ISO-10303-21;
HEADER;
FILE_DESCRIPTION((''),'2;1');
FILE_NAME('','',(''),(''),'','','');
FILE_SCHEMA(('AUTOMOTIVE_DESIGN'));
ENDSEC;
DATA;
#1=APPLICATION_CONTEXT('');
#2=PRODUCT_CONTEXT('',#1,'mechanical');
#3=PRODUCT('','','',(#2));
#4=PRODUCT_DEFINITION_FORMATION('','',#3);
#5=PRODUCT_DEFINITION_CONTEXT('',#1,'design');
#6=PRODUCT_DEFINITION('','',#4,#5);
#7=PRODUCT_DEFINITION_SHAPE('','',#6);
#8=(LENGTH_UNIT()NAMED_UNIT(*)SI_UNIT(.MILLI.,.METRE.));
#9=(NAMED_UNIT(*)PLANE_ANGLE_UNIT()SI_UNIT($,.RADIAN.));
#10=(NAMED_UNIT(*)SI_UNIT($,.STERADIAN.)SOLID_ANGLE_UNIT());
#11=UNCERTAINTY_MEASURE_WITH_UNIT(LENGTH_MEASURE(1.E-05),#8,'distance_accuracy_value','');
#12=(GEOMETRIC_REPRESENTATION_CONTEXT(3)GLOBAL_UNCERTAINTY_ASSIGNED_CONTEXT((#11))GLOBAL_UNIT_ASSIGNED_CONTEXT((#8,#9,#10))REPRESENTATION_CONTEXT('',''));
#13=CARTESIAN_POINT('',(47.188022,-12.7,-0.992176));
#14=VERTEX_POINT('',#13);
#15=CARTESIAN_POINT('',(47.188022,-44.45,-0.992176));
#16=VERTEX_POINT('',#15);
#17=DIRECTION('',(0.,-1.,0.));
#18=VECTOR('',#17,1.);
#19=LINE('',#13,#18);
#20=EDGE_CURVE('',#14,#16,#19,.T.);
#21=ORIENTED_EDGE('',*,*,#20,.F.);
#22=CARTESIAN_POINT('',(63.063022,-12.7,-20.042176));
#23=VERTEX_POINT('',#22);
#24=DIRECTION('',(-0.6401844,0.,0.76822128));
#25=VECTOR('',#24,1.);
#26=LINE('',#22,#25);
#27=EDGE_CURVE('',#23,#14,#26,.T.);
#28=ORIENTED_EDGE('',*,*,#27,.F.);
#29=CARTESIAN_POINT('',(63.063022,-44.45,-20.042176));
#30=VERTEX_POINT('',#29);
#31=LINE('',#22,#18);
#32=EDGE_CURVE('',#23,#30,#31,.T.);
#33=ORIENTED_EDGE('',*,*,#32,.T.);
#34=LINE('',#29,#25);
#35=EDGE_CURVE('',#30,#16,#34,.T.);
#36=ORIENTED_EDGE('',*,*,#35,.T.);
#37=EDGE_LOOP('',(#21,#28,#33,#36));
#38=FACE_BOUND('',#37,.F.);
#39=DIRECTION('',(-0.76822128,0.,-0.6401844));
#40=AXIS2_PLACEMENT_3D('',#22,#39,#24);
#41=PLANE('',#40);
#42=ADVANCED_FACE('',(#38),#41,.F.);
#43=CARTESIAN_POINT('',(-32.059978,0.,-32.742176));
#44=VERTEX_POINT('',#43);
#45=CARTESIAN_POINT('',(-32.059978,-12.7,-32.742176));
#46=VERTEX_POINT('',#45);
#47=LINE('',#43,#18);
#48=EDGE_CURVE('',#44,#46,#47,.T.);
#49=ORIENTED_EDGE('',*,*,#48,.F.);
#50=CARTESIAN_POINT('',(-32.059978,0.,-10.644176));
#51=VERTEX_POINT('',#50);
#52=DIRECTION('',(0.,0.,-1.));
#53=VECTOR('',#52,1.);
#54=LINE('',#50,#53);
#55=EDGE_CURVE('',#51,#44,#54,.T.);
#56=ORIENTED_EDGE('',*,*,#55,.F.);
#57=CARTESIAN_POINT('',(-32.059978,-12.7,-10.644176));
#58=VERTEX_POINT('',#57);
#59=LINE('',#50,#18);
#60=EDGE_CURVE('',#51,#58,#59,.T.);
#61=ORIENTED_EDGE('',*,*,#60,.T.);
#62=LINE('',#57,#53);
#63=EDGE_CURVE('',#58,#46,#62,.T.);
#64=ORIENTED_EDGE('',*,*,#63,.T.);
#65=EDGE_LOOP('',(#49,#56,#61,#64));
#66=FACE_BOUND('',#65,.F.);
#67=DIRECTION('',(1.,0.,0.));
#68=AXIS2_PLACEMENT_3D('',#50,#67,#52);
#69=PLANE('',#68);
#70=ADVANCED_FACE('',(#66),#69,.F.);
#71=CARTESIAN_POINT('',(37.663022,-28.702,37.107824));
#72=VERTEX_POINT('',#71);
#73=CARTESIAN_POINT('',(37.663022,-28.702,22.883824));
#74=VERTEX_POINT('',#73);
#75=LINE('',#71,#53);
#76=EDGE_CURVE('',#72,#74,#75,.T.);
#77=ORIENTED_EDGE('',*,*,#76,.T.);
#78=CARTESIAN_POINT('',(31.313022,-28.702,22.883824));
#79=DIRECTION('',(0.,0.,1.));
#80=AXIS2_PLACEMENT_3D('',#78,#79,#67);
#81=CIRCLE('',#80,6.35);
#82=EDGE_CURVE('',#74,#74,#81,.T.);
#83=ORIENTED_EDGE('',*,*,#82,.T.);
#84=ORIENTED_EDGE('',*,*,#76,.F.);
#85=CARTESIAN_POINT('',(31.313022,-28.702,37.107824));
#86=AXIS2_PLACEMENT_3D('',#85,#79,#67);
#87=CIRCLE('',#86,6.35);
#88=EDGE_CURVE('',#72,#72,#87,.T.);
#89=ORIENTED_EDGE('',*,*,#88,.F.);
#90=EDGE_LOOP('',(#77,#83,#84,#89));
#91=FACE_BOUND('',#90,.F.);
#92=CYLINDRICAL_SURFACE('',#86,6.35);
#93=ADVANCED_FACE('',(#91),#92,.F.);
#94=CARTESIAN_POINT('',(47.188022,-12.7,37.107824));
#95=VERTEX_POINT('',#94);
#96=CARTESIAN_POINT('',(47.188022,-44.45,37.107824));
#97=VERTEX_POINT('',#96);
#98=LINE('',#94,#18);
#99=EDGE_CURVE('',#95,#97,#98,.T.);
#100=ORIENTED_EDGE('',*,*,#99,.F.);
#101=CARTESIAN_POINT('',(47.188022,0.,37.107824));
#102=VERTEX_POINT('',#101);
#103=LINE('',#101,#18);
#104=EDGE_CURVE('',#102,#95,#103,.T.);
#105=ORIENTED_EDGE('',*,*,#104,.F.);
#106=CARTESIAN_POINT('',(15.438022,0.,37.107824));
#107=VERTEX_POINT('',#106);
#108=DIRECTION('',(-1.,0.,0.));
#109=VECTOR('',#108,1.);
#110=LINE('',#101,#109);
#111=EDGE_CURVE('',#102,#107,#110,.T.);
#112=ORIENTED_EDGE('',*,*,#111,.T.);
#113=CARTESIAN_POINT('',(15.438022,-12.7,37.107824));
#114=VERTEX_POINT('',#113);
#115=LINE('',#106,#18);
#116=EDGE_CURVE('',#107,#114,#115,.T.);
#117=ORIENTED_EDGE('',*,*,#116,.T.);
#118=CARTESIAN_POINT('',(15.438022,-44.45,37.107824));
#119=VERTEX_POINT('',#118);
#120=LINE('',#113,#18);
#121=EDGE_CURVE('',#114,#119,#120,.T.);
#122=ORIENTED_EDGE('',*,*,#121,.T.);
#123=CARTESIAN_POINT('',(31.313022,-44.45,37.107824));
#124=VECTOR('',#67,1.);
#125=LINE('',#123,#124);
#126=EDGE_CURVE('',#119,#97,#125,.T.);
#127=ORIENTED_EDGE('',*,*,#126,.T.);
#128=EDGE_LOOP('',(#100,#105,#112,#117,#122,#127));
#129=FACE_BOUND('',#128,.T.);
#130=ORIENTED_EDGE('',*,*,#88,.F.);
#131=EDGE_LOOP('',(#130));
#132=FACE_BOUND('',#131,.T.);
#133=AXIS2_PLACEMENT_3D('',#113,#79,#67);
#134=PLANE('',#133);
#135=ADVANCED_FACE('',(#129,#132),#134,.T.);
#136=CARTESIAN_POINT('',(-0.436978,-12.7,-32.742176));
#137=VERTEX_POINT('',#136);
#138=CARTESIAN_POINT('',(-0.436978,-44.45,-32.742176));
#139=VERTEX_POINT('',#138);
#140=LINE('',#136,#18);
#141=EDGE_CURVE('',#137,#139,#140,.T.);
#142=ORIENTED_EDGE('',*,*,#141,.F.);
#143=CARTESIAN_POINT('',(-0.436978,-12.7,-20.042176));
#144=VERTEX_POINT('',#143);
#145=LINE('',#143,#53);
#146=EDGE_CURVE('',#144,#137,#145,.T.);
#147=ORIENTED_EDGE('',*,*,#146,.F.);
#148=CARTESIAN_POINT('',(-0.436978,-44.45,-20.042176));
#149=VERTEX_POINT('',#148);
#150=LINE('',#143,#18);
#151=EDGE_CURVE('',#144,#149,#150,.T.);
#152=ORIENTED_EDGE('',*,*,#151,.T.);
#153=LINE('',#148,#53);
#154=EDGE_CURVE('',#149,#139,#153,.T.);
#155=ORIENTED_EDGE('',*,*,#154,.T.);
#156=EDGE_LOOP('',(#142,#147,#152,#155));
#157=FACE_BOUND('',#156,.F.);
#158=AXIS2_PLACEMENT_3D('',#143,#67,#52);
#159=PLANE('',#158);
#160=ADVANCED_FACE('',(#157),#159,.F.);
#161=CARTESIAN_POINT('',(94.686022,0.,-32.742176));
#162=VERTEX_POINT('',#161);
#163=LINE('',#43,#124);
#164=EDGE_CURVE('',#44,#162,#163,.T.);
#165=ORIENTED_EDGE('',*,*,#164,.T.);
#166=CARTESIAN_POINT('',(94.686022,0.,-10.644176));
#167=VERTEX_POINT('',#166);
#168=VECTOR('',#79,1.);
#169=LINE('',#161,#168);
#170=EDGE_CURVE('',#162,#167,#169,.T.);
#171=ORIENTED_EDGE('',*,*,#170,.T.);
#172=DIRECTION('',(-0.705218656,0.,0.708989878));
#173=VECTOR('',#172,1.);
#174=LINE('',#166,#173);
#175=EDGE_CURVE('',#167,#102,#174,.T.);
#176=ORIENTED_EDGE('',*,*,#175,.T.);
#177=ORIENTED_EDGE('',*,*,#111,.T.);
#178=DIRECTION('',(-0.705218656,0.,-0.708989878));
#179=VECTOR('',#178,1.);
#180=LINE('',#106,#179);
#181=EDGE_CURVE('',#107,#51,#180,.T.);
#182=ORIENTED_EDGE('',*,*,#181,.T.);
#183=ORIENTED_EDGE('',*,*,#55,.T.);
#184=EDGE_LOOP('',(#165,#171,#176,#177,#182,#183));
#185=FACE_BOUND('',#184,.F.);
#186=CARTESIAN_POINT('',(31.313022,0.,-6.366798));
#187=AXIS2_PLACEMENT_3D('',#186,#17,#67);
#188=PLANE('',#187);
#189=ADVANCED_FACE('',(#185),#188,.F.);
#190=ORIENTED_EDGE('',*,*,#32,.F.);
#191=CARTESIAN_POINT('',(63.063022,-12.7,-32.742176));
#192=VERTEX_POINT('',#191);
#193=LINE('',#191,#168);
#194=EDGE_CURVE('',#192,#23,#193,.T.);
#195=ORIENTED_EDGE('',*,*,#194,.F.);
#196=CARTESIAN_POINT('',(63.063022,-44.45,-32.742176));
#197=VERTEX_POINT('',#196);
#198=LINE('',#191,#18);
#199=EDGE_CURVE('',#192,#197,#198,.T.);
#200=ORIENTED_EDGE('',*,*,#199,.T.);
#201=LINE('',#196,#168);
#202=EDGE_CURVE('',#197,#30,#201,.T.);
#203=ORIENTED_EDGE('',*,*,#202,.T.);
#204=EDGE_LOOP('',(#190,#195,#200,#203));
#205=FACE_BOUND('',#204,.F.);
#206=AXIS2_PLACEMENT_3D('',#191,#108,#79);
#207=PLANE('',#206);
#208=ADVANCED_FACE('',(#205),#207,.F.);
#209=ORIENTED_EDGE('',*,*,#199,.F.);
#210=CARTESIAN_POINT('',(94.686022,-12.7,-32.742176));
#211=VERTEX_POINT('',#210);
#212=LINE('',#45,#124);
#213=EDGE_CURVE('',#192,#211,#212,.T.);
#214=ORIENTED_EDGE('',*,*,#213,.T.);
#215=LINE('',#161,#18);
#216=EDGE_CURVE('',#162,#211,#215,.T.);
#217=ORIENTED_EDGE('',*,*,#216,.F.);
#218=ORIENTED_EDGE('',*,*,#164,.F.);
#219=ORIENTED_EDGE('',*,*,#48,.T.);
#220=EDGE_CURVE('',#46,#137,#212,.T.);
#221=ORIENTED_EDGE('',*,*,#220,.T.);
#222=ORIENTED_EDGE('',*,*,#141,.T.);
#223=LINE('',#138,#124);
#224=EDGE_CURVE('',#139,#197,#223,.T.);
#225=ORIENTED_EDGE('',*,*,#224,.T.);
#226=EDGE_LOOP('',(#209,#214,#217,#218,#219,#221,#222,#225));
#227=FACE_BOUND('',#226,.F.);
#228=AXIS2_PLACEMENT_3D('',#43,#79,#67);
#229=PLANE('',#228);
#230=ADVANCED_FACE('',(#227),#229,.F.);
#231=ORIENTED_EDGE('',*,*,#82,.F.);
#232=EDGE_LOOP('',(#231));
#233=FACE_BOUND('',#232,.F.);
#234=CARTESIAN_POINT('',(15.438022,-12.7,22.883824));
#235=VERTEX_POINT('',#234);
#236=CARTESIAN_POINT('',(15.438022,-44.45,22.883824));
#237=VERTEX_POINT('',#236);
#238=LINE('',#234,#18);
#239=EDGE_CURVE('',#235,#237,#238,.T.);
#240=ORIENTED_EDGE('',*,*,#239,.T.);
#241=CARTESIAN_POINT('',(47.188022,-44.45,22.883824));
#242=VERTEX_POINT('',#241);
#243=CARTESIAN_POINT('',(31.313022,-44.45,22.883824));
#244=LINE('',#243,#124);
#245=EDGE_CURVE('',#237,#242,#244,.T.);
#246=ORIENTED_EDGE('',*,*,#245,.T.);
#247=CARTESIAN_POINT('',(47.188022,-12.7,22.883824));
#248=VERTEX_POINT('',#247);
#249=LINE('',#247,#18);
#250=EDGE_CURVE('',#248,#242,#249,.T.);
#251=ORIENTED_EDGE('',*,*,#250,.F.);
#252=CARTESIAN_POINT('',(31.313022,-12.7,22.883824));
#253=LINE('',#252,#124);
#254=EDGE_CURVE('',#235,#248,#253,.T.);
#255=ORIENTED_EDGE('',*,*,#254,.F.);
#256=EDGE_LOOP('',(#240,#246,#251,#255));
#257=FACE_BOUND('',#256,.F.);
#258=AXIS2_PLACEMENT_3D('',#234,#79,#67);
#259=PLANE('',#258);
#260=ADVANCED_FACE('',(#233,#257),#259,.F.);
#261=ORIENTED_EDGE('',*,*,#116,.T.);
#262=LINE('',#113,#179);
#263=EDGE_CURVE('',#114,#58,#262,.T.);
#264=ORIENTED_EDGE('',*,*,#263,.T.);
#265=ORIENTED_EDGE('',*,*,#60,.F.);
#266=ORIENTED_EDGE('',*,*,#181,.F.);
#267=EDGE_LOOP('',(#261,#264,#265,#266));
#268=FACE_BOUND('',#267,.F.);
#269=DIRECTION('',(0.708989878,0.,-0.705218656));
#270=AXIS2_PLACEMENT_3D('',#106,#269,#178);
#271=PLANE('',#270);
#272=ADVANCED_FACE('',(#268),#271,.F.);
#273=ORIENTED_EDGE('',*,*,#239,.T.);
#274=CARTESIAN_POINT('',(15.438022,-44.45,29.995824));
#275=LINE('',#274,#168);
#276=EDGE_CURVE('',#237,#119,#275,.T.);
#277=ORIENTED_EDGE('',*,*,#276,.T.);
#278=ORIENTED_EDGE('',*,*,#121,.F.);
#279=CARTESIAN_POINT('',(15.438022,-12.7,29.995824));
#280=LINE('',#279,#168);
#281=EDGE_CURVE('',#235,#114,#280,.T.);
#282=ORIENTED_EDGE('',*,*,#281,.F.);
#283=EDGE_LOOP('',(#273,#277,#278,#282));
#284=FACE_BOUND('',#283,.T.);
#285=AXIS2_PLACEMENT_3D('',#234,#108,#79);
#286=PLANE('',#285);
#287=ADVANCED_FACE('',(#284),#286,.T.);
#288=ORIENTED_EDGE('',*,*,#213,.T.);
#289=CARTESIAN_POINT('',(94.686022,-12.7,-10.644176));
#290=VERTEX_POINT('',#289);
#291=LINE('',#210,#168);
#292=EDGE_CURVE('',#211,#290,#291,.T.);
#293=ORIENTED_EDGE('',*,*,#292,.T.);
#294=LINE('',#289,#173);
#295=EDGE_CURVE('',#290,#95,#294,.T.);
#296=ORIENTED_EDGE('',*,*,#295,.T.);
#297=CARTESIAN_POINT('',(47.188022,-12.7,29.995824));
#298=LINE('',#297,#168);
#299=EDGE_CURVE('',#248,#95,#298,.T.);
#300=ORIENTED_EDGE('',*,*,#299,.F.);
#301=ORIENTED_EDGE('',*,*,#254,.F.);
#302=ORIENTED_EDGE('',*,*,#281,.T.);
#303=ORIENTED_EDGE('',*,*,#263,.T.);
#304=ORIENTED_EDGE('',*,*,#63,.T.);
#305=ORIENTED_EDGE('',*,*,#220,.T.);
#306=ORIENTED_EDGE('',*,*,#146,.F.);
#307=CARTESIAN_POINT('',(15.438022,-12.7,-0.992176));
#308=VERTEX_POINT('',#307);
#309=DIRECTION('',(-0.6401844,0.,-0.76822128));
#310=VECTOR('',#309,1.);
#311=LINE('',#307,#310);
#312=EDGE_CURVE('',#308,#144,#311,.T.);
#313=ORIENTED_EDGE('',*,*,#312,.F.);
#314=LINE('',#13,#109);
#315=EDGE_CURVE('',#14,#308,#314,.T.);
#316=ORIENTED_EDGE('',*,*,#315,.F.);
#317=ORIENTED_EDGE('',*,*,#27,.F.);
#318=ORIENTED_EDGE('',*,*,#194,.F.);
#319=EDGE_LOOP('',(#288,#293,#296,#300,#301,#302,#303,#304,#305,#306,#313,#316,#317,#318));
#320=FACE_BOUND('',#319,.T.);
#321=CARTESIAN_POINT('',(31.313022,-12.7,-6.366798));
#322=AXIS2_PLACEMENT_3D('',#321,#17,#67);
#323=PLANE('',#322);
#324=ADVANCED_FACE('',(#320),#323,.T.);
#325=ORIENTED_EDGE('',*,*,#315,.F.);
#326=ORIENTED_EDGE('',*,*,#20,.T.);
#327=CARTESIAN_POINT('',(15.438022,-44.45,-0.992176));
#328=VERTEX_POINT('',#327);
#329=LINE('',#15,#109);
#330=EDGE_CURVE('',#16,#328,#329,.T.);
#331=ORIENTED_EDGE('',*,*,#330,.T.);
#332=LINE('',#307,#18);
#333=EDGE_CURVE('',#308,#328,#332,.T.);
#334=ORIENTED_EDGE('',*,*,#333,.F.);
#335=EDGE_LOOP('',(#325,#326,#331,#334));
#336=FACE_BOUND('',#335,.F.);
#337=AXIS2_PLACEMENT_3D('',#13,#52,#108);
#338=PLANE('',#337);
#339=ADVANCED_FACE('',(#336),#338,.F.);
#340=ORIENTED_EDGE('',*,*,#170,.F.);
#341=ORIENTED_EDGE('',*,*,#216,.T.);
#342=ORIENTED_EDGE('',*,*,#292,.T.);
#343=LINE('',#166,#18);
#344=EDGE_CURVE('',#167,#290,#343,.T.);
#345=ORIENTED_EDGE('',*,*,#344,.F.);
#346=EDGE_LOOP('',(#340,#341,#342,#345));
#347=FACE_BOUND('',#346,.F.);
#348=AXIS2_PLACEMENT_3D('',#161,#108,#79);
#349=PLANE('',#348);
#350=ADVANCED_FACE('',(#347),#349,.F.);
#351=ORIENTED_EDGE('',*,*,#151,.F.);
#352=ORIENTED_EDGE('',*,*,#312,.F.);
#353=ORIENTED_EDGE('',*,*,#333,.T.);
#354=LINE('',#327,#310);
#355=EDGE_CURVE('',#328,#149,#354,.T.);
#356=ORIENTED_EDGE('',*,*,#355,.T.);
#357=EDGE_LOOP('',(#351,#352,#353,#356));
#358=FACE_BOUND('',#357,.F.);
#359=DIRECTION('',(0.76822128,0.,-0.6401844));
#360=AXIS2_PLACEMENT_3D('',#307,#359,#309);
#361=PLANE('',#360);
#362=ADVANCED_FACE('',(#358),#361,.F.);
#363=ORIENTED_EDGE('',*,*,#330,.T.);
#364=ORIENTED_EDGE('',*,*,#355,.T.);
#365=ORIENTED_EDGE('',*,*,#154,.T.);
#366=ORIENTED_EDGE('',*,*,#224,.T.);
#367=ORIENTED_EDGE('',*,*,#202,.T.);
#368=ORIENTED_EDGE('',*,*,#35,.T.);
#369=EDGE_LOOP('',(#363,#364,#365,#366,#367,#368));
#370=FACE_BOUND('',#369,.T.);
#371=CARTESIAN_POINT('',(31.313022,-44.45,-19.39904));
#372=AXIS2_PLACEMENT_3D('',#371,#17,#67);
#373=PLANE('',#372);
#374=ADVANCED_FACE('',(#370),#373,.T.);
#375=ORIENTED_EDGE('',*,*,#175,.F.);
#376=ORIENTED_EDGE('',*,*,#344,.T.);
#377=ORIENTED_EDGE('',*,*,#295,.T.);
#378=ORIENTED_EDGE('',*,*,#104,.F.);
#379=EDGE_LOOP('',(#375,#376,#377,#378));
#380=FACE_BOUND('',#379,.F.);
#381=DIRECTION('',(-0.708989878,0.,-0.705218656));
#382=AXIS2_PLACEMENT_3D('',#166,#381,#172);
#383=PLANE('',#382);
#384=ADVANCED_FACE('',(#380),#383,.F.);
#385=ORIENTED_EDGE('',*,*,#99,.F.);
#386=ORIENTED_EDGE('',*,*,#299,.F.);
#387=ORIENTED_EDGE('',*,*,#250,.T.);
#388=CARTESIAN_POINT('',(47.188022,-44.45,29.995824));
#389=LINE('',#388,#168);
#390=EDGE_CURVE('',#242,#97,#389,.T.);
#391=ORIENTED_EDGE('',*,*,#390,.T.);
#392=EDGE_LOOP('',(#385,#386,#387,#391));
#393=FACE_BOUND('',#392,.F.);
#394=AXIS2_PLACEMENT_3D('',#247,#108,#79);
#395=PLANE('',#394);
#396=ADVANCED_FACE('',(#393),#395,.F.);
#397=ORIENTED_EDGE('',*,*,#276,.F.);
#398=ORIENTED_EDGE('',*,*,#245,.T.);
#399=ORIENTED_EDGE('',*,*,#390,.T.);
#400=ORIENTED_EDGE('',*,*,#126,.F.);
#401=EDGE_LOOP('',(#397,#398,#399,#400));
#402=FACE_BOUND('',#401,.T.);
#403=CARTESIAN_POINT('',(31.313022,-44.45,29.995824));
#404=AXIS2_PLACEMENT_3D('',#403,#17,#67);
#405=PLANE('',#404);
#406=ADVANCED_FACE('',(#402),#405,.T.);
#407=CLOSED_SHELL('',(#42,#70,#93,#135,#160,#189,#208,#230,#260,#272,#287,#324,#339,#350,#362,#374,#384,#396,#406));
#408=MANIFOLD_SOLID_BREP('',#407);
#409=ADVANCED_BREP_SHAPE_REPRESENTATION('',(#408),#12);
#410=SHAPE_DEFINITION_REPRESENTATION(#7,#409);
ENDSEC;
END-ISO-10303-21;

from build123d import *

# Parameters (mm, degrees)
F1_DEPTH = 12.7
F2_W     = 31.75
F2_H     = 14.224
F3_DEPTH = 31.75
F4_R     = 6.35
F5_DEPTH = 25.4


with BuildPart() as f1:
    # F0 (on Front) → F1 (new body)
    with BuildSketch(Plane.XZ):
        Polygon((-32.059978, -10.644176), (-32.059978, -32.742176), (94.686022, -32.742176), (94.686022, -10.644176), (47.188022, 37.107824), (15.438022, 37.107824), align=None)
    extrude(amount=F1_DEPTH)

    # F2 (on face) → F3 (join)
    with BuildSketch(Plane.XZ.offset(12.7)):
        with Locations((31.313022, 29.995824)):
            Rectangle(F2_W, F2_H)
        Polygon((-0.436978, -20.042176), (-0.436978, -32.742176), (63.063022, -32.742176), (63.063022, -20.042176), (47.188022, -0.992176), (15.438022, -0.992176), align=None)
    extrude(amount=F3_DEPTH)

    # F4 (on face) → F5 (cut)
    with BuildSketch(Plane.XY.offset(37.107824)):
        with Locations((31.313022, -28.702)):
            Circle(F4_R)
    extrude(amount=-F5_DEPTH, mode=Mode.SUBTRACT)


solid = f1.part
